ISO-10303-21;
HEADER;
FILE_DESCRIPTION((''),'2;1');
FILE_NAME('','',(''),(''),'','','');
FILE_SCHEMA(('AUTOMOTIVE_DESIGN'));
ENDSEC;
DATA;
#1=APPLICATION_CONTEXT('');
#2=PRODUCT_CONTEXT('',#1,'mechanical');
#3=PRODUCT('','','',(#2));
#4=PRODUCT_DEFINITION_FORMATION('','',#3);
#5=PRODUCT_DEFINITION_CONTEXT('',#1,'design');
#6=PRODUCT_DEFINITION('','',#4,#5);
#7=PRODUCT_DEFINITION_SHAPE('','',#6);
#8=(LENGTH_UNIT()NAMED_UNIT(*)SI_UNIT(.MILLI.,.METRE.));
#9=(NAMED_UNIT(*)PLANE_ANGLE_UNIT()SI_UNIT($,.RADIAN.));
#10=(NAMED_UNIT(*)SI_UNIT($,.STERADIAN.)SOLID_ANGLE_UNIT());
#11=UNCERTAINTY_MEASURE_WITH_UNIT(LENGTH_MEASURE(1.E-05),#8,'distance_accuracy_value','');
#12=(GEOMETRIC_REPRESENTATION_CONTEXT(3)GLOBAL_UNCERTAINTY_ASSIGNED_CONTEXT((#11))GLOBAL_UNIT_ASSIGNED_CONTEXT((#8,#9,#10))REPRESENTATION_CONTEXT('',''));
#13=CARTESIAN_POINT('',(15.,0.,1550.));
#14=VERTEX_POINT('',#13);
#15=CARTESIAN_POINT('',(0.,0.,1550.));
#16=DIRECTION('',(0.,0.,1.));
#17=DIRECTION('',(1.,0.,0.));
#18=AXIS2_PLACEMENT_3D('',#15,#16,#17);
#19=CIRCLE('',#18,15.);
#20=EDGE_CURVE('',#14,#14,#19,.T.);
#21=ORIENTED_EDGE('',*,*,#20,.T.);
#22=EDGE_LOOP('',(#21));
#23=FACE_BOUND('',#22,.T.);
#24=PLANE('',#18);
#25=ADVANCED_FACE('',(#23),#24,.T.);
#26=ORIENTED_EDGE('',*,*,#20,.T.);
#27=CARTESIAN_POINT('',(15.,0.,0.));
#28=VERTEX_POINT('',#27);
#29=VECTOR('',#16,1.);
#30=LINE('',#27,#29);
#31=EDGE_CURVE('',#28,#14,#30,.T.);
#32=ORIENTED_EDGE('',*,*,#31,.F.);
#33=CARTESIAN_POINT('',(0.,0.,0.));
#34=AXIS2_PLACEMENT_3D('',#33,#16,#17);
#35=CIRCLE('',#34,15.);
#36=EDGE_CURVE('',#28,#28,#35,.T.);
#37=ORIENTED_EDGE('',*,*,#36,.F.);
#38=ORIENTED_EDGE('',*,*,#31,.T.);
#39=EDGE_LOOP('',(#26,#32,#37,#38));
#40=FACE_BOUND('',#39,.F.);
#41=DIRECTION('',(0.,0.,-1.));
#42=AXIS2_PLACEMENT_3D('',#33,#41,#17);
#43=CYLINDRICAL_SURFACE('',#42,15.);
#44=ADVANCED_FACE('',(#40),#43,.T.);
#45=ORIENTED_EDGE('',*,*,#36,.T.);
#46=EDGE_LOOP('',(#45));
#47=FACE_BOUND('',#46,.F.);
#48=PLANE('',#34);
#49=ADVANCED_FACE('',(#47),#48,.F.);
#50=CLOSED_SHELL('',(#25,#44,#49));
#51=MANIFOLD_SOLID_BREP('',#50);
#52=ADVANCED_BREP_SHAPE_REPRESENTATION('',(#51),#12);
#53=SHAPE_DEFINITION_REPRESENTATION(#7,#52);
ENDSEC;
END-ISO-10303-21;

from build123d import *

# Parameters (mm, degrees)
SKETCH1_R           = 15
BOSS_EXTRUDE1_DEPTH = 1550


with BuildPart() as part:
    # Sketch1 → Boss-Extrude1 (new body)
    with BuildSketch(Plane.XY):
        Circle(SKETCH1_R)
    extrude(amount=BOSS_EXTRUDE1_DEPTH)


solid = part.part
